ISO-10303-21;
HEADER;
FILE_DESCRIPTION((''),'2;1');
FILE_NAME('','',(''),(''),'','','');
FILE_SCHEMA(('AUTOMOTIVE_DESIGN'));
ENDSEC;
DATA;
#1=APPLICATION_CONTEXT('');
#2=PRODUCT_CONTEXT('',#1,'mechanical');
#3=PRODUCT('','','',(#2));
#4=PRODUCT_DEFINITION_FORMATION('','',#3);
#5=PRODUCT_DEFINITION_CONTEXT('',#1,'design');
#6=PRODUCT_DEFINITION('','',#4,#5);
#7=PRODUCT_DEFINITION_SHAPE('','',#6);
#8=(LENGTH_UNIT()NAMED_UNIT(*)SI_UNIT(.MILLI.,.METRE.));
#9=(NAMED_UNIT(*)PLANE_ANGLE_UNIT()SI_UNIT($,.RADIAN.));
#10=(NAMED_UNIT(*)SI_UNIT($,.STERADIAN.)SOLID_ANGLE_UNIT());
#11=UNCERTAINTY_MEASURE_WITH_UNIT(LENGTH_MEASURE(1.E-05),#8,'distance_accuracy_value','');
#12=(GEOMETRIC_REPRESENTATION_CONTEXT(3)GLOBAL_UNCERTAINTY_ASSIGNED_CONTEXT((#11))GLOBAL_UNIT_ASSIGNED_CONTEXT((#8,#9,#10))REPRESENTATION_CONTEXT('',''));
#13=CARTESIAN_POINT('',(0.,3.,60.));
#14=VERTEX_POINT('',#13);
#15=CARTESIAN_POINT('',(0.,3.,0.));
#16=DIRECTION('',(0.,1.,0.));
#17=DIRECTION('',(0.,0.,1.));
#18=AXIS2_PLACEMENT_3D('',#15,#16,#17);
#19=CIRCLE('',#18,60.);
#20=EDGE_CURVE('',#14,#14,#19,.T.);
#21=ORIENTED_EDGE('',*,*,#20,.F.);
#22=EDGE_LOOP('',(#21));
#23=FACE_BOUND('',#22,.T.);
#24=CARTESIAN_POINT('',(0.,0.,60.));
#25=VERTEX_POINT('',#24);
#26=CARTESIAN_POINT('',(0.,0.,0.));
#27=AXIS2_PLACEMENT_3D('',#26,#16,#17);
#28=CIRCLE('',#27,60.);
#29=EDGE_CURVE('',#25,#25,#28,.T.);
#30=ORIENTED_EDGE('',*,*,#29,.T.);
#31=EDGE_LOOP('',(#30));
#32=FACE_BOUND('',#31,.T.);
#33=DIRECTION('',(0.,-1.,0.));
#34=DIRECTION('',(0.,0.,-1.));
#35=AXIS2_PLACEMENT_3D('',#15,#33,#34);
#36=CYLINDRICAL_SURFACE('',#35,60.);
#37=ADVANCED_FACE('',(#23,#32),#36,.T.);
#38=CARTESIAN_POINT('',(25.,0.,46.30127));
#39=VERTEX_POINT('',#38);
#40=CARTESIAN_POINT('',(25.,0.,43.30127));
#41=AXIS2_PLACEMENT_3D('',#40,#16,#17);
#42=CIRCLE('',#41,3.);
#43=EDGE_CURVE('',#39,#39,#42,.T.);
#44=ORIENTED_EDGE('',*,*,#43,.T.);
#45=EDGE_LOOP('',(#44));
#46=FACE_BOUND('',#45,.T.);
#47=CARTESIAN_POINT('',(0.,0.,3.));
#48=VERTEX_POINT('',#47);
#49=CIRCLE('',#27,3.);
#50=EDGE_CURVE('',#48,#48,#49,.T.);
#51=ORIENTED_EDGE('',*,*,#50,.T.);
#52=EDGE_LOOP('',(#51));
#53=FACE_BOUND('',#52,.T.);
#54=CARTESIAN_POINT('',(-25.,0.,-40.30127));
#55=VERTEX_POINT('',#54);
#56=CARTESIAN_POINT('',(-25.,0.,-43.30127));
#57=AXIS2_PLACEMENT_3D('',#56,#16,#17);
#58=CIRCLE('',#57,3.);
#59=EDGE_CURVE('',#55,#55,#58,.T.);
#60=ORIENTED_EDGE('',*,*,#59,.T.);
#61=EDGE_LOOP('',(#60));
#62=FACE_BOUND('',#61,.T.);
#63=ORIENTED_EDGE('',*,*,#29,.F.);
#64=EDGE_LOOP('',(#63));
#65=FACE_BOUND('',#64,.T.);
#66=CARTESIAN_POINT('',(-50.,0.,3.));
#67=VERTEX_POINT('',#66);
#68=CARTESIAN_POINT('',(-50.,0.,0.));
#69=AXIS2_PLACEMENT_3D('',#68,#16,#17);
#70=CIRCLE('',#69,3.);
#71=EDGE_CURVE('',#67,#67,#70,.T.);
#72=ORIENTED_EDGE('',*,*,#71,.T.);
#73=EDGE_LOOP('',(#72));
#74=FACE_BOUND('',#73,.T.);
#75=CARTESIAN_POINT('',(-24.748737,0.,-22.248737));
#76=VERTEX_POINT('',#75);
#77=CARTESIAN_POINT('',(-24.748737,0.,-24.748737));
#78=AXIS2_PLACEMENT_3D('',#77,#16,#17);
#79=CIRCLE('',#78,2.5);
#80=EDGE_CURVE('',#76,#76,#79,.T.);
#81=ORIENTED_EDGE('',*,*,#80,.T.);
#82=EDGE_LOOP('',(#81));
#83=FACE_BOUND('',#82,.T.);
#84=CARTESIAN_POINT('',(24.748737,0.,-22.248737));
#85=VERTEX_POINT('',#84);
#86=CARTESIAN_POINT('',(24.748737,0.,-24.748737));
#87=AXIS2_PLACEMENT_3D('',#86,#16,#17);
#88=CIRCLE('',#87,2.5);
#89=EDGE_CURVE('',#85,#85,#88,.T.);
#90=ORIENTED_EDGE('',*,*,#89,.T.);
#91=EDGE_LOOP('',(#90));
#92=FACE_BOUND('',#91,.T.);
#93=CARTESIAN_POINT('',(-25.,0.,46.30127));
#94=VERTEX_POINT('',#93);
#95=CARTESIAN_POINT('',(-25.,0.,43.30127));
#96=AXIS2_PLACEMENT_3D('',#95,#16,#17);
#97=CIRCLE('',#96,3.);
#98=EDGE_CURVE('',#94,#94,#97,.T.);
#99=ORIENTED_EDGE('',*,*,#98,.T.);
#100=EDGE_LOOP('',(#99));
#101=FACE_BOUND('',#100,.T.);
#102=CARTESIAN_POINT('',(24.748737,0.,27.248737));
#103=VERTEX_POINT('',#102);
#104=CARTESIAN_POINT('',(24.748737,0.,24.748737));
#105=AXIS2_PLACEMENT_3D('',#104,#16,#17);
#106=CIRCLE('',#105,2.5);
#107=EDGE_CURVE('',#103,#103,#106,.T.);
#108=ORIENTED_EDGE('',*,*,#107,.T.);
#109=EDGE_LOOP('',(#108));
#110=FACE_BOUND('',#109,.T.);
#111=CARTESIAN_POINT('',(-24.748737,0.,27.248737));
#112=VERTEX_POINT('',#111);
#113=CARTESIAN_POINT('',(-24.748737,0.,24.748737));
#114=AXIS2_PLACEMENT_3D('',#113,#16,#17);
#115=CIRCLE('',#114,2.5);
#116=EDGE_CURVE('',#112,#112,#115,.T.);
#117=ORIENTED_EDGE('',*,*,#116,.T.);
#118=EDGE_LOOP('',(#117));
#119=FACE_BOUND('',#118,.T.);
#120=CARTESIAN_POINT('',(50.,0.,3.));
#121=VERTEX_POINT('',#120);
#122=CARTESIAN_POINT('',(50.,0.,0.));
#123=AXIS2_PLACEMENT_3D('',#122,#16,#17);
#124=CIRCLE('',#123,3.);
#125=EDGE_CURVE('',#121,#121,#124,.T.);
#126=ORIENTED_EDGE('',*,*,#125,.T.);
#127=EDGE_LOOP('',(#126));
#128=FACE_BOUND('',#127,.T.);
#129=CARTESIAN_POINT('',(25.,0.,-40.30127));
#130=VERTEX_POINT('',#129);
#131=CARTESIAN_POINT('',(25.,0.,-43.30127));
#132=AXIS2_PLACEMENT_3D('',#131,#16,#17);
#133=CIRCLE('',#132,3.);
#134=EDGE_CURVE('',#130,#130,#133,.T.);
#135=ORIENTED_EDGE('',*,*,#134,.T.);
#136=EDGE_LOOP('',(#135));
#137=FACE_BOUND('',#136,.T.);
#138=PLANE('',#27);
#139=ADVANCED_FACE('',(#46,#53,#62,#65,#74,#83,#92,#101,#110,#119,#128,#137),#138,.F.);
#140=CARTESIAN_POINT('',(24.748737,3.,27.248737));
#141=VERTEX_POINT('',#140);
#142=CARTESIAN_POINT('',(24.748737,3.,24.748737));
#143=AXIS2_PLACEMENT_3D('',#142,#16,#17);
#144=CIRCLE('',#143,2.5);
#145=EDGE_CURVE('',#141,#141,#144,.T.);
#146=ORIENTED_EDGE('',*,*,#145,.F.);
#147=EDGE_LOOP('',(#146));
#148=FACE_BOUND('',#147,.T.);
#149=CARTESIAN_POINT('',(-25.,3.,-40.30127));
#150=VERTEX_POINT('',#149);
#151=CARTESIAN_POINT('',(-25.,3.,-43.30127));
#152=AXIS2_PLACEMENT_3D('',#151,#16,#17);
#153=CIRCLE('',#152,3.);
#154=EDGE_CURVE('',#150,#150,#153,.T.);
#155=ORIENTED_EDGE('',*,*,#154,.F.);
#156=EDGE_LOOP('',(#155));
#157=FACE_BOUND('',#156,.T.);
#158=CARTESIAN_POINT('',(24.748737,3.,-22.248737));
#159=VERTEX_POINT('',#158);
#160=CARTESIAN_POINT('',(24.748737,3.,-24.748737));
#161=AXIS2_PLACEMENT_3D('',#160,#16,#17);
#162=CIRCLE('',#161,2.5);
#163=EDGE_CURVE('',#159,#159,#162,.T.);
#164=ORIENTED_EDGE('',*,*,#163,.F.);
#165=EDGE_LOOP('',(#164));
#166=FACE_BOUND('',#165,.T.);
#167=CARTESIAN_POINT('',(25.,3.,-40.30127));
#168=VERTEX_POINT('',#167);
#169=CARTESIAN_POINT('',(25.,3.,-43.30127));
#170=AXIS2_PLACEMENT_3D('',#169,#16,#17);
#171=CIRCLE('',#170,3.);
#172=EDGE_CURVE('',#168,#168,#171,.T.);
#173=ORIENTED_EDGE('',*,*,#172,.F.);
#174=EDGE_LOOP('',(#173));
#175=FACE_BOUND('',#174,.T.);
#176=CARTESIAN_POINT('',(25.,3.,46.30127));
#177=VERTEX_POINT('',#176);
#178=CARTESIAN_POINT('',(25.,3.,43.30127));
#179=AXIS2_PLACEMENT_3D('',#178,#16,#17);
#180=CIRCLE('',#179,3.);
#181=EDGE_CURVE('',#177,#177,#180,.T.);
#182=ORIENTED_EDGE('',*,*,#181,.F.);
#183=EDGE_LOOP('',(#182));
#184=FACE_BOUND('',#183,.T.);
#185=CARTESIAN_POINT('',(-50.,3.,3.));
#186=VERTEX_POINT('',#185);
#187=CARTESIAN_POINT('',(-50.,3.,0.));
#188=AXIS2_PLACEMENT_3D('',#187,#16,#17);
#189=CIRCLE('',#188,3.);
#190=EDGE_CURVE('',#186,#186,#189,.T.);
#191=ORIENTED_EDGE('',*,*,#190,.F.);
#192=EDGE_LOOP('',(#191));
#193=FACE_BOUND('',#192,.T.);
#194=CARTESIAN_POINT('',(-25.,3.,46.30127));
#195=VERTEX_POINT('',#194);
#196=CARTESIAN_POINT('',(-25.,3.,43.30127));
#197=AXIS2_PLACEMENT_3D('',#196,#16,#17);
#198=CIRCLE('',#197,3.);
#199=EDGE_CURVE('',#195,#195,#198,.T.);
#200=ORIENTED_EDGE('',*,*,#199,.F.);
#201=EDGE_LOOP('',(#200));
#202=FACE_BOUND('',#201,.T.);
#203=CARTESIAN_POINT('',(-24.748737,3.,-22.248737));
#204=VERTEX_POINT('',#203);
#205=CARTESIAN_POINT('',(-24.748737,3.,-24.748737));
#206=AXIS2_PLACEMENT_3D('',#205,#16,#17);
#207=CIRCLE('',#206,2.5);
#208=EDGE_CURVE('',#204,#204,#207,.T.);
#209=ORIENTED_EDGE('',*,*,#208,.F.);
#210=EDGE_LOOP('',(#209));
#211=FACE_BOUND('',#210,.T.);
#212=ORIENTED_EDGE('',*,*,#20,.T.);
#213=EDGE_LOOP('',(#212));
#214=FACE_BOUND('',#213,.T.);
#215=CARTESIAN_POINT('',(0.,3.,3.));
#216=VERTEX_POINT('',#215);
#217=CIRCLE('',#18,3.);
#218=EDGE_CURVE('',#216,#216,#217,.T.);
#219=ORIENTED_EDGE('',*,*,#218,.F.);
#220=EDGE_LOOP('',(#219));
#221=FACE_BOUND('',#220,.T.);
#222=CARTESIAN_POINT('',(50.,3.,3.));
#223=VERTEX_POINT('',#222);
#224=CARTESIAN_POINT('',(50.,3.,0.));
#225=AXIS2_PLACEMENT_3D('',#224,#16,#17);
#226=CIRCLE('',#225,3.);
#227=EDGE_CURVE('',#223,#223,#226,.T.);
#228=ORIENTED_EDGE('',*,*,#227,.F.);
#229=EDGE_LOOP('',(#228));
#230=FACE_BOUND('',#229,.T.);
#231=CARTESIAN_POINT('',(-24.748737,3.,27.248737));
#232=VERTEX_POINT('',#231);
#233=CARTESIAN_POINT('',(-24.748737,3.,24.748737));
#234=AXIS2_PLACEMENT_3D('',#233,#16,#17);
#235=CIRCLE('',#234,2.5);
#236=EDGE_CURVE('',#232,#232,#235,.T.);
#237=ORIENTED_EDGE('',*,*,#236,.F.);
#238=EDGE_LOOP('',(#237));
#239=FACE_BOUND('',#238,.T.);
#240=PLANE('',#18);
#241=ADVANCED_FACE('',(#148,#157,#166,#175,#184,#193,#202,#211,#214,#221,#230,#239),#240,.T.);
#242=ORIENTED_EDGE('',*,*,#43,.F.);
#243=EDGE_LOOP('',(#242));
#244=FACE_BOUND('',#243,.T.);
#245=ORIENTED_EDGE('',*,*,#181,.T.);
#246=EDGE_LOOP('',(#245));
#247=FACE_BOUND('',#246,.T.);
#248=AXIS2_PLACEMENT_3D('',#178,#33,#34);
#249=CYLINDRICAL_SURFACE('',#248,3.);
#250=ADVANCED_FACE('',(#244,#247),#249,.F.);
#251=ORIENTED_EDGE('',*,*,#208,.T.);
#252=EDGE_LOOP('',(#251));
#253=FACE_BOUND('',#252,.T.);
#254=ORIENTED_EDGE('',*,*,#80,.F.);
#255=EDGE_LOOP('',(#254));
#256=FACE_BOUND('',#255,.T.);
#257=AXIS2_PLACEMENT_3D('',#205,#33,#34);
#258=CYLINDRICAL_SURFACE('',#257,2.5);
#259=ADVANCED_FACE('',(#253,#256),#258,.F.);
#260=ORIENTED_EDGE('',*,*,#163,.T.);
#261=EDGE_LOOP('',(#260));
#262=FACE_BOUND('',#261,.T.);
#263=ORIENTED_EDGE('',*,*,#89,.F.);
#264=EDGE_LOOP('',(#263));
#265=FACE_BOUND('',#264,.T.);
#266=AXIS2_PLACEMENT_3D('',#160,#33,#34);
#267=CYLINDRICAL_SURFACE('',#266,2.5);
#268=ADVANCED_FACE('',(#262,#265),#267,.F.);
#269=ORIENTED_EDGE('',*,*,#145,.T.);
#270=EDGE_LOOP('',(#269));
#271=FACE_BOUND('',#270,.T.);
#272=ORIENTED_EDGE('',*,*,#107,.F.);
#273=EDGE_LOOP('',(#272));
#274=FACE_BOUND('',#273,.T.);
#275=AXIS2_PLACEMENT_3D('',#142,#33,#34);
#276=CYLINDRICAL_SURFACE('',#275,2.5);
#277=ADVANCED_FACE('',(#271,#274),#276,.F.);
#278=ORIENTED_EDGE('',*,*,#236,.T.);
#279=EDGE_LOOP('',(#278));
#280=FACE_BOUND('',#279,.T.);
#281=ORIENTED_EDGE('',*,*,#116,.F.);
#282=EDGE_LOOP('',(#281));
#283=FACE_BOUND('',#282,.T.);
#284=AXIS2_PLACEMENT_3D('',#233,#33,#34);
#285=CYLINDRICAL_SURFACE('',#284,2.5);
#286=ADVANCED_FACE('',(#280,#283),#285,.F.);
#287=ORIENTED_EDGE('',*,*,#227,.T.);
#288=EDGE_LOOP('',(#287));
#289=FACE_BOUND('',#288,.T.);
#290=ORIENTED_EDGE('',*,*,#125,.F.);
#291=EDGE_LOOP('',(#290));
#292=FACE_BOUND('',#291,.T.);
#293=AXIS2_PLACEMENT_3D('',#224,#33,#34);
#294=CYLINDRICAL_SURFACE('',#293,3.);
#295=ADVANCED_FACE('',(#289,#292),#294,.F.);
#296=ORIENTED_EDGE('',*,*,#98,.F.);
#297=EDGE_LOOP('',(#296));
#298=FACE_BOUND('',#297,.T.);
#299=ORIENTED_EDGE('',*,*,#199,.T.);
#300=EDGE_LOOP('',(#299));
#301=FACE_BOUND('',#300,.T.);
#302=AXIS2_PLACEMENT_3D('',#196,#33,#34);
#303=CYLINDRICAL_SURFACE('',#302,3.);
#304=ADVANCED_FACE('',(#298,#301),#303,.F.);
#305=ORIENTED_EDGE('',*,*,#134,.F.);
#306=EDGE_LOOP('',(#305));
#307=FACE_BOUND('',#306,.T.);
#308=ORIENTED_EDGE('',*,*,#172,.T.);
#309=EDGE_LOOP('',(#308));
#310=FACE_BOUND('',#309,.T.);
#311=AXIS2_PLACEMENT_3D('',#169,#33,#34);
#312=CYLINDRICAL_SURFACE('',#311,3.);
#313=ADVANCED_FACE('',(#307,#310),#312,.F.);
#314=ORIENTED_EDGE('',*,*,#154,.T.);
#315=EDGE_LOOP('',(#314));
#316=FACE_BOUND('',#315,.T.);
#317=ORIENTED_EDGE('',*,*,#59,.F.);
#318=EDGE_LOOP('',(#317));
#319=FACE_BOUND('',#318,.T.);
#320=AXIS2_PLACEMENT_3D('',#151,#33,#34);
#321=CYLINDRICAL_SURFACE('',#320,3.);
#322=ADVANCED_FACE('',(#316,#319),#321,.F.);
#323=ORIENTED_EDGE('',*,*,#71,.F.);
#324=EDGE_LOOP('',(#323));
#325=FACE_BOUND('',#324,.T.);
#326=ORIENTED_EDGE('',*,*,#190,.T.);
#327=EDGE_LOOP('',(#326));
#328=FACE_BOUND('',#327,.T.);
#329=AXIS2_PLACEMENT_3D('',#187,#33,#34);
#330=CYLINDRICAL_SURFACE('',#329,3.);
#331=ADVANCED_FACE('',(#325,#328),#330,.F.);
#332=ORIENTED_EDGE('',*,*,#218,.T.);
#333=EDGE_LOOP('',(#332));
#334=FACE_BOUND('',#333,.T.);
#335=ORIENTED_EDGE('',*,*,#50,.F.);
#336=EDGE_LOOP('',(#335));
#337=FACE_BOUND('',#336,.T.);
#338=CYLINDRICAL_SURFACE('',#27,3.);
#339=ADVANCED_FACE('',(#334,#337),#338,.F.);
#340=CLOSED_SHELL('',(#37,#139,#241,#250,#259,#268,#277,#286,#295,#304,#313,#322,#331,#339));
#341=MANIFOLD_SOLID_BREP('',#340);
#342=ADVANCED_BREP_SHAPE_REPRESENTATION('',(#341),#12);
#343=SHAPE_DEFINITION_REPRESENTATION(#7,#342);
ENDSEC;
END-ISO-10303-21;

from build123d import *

# Parameters (mm, degrees)
SKETCH1_R               = 60
SKETCH1_R_2             = 2.5
SKETCH1_R_3             = 3
BOSS_EXTRUDE1_DEPTH     = 3
CUT_EXTRUDE1_DEPTH      = 85.905830189
CUT_EXTRUDE1_DEPTH_BACK = 85.905830189
SKETCH2_R               = 3


with BuildPart() as part:
    # Sketch1 → Boss-Extrude1 (new body)
    with BuildSketch(Plane(origin=(0, 0, 0), x_dir=(1, 0, 0), z_dir=(0, 1, 0))):
        with Locations(Location((0, 0, 0), (0, 0, 270))):
            Circle(SKETCH1_R)
        with Locations(Location((-24.748737342, -24.748737342, 0), (0, 0, 270))):
            Circle(SKETCH1_R_2, mode=Mode.SUBTRACT)
        with Locations(Location((24.748737342, -24.748737342, 0), (0, 0, 270))):
            Circle(SKETCH1_R_2, mode=Mode.SUBTRACT)
        with Locations(Location((24.748737342, 24.748737342, 0), (0, 0, 270))):
            Circle(SKETCH1_R_2, mode=Mode.SUBTRACT)
        with Locations(Location((-24.748737342, 24.748737342, 0), (0, 0, 270))):
            Circle(SKETCH1_R_2, mode=Mode.SUBTRACT)
        with Locations(Location((-25, -43.301270189, 0), (0, 0, 270))):
            Circle(SKETCH1_R_3, mode=Mode.SUBTRACT)
        with Locations(Location((25, -43.301270189, 0), (0, 0, 270))):
            Circle(SKETCH1_R_3, mode=Mode.SUBTRACT)
        with Locations(Location((50, 0, 0), (0, 0, 270))):
            Circle(SKETCH1_R_3, mode=Mode.SUBTRACT)
        with Locations(Location((25, 43.301270189, 0), (0, 0, 270))):
            Circle(SKETCH1_R_3, mode=Mode.SUBTRACT)
        with Locations(Location((-25, 43.301270189, 0), (0, 0, 270))):
            Circle(SKETCH1_R_3, mode=Mode.SUBTRACT)
        with Locations(Location((-50, 0, 0), (0, 0, 270))):
            Circle(SKETCH1_R_3, mode=Mode.SUBTRACT)
    extrude(amount=BOSS_EXTRUDE1_DEPTH)

    # Sketch2 → Cut-Extrude1 (cut, two sides: drawn at the far end of the back side and taken through both)
    with BuildSketch(Plane(origin=(0, 3, 0), x_dir=(1, 0, 0), z_dir=(0, 1, 0)).offset(-CUT_EXTRUDE1_DEPTH_BACK)):
        with Locations(Location((0, 0, 0), (0, 0, 270))):
            Circle(SKETCH2_R)
    extrude(amount=CUT_EXTRUDE1_DEPTH + CUT_EXTRUDE1_DEPTH_BACK, mode=Mode.SUBTRACT)


solid = part.part
